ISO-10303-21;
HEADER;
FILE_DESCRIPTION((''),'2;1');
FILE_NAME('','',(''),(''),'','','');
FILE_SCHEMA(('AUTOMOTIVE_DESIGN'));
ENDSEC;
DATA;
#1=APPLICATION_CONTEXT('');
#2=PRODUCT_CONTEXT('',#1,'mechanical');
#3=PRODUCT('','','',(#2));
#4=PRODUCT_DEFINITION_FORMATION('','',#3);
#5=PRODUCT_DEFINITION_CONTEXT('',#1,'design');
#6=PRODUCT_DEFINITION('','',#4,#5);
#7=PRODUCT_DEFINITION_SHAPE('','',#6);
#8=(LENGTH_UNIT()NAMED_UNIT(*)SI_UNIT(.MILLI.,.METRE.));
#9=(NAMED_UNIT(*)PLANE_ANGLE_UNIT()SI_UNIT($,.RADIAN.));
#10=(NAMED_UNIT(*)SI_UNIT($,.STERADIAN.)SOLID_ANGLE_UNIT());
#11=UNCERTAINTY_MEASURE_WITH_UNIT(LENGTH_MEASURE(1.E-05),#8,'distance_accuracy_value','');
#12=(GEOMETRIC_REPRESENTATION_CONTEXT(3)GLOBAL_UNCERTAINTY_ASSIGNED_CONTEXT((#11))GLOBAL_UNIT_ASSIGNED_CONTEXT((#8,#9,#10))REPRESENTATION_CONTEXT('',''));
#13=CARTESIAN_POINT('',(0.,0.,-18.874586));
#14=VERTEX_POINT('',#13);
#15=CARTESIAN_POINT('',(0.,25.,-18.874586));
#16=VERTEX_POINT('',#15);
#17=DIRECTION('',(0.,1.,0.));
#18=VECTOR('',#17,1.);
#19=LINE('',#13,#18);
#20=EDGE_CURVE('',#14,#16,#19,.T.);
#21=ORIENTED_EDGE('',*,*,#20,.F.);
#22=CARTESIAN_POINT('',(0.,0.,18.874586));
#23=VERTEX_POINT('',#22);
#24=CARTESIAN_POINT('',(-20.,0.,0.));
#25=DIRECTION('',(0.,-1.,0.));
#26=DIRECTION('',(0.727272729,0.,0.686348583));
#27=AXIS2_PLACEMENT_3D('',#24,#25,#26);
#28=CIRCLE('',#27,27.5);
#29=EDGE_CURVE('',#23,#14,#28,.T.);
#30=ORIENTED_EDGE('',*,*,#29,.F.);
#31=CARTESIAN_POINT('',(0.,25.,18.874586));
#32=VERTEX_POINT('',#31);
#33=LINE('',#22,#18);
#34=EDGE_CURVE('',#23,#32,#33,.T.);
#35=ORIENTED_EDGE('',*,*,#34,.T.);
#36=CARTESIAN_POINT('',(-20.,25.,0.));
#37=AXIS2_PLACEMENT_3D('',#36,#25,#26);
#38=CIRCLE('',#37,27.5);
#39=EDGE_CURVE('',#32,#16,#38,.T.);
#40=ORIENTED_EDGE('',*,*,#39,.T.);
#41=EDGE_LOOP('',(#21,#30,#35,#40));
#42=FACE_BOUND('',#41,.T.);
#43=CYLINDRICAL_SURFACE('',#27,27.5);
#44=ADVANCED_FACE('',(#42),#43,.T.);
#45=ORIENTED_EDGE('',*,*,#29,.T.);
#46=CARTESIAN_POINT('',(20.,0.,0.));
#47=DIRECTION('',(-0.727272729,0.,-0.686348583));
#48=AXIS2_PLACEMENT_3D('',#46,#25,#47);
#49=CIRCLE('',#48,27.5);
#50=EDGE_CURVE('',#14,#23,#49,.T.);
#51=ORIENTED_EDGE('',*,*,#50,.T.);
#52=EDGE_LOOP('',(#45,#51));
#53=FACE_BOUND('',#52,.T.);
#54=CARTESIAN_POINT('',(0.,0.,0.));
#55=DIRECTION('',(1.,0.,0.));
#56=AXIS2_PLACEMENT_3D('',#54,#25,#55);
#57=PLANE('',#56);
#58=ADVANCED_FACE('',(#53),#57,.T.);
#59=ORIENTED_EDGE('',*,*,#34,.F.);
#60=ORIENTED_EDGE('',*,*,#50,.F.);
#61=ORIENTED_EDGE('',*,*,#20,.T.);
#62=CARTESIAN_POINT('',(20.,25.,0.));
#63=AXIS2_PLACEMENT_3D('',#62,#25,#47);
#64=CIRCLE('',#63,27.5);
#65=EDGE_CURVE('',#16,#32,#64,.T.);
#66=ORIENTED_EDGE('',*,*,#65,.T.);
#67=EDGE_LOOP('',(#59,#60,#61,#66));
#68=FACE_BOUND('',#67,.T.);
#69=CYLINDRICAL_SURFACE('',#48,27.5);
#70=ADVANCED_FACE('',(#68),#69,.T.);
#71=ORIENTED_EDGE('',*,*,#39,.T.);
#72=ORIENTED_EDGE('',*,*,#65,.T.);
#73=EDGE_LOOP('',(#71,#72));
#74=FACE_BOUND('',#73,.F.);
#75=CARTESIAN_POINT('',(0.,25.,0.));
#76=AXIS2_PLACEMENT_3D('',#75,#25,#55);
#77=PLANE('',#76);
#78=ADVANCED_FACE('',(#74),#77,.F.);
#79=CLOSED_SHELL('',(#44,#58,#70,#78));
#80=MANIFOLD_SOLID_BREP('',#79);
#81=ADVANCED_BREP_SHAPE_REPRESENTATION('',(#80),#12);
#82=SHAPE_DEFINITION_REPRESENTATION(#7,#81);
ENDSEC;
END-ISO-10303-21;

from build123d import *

# Parameters (mm, degrees)
F1_DEPTH = 25


with BuildPart() as f1:
    # F0 (on Front) → F1 (new body)
    with BuildSketch(Plane.XZ):
        with BuildLine():
            ThreePointArc((0, -18.874586), (47.5, 0), (0, 18.874586))
            ThreePointArc((0, 18.874586), (-47.5, 0), (0, -18.874586))
        make_face()
    extrude(amount=-F1_DEPTH)


solid = f1.part
